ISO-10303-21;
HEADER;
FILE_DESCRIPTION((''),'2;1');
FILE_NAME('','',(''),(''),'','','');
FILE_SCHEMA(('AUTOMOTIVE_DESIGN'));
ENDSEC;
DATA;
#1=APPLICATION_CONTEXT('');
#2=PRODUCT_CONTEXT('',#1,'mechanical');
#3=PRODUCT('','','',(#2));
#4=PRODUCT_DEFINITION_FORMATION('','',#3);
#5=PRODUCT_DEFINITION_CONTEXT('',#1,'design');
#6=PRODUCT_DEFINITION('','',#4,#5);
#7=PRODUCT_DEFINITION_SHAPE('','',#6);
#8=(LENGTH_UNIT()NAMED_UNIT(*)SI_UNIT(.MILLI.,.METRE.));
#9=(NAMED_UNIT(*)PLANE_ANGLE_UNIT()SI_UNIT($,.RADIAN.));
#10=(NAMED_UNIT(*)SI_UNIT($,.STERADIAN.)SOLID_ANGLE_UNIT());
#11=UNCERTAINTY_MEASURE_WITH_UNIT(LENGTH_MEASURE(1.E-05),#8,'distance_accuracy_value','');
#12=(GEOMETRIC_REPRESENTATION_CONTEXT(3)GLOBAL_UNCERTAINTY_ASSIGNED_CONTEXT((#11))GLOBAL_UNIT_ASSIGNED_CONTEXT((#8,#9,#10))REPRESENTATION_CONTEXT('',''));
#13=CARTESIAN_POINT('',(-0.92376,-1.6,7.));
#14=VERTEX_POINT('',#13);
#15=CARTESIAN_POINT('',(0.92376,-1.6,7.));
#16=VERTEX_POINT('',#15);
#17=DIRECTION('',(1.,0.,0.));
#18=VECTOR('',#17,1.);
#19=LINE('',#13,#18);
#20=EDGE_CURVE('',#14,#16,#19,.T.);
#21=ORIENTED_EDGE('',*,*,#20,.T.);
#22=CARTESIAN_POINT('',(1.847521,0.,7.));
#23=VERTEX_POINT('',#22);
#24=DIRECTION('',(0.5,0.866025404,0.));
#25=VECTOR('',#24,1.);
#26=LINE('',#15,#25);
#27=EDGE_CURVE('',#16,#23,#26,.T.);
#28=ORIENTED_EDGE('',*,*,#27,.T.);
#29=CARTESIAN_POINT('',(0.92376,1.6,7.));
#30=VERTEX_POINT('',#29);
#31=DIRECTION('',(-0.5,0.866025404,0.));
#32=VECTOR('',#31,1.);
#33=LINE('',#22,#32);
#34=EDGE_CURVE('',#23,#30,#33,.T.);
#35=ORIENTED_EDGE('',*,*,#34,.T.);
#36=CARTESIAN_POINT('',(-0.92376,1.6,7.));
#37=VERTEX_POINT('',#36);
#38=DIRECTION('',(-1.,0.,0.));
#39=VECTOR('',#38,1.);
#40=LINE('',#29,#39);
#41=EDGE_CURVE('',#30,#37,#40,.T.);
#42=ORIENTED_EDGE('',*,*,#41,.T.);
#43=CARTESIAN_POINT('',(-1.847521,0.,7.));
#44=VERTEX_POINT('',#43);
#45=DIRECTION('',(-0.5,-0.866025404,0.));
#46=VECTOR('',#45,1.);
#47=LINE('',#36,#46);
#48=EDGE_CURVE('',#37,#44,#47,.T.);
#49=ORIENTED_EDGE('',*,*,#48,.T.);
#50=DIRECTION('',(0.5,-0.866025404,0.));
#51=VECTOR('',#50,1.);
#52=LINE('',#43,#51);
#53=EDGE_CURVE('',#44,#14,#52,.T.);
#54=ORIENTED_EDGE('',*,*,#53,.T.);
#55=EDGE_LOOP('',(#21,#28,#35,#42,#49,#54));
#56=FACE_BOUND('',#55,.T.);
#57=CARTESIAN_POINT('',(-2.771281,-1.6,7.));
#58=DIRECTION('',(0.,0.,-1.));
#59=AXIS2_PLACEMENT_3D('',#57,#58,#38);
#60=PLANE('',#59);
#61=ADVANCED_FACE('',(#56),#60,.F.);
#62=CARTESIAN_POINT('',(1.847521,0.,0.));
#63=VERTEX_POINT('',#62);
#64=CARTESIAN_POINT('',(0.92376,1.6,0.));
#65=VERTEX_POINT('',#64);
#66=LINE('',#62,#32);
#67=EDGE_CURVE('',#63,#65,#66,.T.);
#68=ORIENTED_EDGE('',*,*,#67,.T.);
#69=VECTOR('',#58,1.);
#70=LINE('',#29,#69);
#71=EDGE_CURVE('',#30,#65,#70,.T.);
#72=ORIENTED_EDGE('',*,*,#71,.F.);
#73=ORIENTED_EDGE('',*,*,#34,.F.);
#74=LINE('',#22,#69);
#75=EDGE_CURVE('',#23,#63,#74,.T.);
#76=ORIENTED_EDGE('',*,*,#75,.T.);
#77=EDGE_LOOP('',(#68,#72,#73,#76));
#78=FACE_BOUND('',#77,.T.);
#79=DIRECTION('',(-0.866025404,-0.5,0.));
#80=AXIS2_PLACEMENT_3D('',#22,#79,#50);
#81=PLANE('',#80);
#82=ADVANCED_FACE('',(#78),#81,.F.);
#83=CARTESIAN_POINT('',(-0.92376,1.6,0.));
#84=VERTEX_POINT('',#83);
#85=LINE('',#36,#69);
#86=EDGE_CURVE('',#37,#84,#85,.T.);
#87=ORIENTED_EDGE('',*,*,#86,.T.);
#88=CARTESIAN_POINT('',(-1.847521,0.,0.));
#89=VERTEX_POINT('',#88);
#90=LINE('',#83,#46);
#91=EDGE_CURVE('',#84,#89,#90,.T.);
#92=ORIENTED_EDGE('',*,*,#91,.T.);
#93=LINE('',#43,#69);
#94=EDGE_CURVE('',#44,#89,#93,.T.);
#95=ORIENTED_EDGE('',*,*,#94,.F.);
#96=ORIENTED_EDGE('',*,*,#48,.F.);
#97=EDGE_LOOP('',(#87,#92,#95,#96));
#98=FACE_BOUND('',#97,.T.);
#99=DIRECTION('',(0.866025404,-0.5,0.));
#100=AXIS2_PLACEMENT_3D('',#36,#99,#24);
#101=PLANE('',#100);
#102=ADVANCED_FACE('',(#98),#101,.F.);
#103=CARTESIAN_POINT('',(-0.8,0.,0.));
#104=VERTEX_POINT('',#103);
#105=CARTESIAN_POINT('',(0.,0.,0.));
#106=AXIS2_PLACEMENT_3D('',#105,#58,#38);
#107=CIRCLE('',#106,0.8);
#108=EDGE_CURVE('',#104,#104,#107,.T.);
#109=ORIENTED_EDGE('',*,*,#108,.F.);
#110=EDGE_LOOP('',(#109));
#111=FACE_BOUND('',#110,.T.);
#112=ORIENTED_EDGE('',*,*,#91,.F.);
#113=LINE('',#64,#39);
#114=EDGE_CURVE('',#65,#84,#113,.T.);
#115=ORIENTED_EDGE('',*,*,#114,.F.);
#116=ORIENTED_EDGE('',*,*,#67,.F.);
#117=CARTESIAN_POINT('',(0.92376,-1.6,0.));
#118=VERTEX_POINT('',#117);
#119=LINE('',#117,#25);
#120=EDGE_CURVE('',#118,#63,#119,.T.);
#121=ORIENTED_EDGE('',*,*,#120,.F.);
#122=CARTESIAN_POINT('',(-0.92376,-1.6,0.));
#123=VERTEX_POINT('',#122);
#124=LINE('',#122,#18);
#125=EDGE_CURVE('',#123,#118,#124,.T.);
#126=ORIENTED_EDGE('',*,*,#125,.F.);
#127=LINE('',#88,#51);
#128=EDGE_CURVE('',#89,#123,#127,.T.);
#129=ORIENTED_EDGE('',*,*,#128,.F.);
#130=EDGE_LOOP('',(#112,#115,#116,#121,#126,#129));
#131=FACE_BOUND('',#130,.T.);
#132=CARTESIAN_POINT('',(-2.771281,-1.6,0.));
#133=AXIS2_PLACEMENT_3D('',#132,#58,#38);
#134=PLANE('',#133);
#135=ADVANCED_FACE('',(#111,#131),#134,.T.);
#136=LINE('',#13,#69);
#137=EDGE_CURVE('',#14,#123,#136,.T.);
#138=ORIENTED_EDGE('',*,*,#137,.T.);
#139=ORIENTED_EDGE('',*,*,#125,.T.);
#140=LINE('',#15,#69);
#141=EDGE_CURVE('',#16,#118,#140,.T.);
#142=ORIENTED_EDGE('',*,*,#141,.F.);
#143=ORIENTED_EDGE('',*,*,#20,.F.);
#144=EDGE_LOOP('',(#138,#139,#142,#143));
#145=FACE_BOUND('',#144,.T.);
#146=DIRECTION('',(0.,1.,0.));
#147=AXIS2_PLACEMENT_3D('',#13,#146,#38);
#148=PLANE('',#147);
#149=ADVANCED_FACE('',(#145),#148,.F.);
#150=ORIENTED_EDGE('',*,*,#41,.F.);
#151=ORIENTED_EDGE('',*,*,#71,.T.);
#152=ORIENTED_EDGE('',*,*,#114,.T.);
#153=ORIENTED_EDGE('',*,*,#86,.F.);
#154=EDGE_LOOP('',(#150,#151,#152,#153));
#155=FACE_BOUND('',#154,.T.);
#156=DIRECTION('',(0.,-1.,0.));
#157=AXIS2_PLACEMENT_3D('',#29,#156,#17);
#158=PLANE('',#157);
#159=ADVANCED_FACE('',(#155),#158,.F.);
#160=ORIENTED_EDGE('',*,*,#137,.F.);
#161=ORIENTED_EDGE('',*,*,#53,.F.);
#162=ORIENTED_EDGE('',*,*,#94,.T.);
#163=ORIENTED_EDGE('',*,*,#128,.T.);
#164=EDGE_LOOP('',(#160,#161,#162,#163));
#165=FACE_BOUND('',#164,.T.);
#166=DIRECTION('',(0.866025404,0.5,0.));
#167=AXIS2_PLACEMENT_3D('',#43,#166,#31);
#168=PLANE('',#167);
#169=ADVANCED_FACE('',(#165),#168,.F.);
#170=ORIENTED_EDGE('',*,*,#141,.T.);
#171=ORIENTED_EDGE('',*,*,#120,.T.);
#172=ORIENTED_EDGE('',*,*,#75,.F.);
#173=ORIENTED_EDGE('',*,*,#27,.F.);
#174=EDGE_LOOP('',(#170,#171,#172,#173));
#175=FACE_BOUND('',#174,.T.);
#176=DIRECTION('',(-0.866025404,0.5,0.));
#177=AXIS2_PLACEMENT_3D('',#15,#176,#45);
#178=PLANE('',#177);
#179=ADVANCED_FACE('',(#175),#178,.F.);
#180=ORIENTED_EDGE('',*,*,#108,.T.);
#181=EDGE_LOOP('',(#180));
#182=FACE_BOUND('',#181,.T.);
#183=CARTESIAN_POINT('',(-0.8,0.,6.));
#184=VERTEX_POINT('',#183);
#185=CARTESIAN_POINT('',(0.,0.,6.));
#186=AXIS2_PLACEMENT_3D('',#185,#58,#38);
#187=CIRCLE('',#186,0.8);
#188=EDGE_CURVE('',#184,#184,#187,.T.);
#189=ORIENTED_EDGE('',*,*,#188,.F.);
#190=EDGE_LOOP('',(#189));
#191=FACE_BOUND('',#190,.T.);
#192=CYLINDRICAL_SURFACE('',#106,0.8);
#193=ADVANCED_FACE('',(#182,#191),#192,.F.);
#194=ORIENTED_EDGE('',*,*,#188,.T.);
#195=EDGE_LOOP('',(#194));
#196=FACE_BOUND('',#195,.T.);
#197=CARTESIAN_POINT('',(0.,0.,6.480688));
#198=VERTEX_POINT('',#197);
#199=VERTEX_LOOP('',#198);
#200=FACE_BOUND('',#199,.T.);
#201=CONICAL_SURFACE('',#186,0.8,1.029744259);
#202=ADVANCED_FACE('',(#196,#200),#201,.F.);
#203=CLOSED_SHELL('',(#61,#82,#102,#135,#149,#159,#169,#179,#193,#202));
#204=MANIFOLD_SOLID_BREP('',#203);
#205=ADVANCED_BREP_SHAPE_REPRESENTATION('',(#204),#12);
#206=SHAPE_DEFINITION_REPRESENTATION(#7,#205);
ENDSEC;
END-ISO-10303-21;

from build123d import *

# Parameters (mm, degrees)
EXTRUDE_1_DEPTH        = 7
HOLE_WIZARD_M2_1_D     = 1.6
HOLE_WIZARD_M2_1_DEPTH = 6
HOLE_WIZARD_M2_1_TIP   = 0.480688495


with BuildPart() as part:
    # 草图1 → 拉伸1 (new body)
    with BuildSketch(Plane.XY):
        Polygon((0.923760431, -1.6), (1.847520861, 0), (0.923760431, 1.6), (-0.923760431, 1.6), (-1.847520861, 0), (-0.923760431, -1.6), align=None)
    extrude(amount=EXTRUDE_1_DEPTH)

    # M2 螺纹孔1
    with Locations(Plane(origin=(0, 0, 0), x_dir=(-1, 0, 0), z_dir=(0, 0, -1))):
        with Locations((0, 0)):
            Hole(HOLE_WIZARD_M2_1_D / 2, depth=HOLE_WIZARD_M2_1_DEPTH)
            with Locations((0, 0, -(HOLE_WIZARD_M2_1_DEPTH + HOLE_WIZARD_M2_1_TIP / 2))):  # 118° drill point
                Cone(0, HOLE_WIZARD_M2_1_D / 2, HOLE_WIZARD_M2_1_TIP, mode=Mode.SUBTRACT)


solid = part.part
